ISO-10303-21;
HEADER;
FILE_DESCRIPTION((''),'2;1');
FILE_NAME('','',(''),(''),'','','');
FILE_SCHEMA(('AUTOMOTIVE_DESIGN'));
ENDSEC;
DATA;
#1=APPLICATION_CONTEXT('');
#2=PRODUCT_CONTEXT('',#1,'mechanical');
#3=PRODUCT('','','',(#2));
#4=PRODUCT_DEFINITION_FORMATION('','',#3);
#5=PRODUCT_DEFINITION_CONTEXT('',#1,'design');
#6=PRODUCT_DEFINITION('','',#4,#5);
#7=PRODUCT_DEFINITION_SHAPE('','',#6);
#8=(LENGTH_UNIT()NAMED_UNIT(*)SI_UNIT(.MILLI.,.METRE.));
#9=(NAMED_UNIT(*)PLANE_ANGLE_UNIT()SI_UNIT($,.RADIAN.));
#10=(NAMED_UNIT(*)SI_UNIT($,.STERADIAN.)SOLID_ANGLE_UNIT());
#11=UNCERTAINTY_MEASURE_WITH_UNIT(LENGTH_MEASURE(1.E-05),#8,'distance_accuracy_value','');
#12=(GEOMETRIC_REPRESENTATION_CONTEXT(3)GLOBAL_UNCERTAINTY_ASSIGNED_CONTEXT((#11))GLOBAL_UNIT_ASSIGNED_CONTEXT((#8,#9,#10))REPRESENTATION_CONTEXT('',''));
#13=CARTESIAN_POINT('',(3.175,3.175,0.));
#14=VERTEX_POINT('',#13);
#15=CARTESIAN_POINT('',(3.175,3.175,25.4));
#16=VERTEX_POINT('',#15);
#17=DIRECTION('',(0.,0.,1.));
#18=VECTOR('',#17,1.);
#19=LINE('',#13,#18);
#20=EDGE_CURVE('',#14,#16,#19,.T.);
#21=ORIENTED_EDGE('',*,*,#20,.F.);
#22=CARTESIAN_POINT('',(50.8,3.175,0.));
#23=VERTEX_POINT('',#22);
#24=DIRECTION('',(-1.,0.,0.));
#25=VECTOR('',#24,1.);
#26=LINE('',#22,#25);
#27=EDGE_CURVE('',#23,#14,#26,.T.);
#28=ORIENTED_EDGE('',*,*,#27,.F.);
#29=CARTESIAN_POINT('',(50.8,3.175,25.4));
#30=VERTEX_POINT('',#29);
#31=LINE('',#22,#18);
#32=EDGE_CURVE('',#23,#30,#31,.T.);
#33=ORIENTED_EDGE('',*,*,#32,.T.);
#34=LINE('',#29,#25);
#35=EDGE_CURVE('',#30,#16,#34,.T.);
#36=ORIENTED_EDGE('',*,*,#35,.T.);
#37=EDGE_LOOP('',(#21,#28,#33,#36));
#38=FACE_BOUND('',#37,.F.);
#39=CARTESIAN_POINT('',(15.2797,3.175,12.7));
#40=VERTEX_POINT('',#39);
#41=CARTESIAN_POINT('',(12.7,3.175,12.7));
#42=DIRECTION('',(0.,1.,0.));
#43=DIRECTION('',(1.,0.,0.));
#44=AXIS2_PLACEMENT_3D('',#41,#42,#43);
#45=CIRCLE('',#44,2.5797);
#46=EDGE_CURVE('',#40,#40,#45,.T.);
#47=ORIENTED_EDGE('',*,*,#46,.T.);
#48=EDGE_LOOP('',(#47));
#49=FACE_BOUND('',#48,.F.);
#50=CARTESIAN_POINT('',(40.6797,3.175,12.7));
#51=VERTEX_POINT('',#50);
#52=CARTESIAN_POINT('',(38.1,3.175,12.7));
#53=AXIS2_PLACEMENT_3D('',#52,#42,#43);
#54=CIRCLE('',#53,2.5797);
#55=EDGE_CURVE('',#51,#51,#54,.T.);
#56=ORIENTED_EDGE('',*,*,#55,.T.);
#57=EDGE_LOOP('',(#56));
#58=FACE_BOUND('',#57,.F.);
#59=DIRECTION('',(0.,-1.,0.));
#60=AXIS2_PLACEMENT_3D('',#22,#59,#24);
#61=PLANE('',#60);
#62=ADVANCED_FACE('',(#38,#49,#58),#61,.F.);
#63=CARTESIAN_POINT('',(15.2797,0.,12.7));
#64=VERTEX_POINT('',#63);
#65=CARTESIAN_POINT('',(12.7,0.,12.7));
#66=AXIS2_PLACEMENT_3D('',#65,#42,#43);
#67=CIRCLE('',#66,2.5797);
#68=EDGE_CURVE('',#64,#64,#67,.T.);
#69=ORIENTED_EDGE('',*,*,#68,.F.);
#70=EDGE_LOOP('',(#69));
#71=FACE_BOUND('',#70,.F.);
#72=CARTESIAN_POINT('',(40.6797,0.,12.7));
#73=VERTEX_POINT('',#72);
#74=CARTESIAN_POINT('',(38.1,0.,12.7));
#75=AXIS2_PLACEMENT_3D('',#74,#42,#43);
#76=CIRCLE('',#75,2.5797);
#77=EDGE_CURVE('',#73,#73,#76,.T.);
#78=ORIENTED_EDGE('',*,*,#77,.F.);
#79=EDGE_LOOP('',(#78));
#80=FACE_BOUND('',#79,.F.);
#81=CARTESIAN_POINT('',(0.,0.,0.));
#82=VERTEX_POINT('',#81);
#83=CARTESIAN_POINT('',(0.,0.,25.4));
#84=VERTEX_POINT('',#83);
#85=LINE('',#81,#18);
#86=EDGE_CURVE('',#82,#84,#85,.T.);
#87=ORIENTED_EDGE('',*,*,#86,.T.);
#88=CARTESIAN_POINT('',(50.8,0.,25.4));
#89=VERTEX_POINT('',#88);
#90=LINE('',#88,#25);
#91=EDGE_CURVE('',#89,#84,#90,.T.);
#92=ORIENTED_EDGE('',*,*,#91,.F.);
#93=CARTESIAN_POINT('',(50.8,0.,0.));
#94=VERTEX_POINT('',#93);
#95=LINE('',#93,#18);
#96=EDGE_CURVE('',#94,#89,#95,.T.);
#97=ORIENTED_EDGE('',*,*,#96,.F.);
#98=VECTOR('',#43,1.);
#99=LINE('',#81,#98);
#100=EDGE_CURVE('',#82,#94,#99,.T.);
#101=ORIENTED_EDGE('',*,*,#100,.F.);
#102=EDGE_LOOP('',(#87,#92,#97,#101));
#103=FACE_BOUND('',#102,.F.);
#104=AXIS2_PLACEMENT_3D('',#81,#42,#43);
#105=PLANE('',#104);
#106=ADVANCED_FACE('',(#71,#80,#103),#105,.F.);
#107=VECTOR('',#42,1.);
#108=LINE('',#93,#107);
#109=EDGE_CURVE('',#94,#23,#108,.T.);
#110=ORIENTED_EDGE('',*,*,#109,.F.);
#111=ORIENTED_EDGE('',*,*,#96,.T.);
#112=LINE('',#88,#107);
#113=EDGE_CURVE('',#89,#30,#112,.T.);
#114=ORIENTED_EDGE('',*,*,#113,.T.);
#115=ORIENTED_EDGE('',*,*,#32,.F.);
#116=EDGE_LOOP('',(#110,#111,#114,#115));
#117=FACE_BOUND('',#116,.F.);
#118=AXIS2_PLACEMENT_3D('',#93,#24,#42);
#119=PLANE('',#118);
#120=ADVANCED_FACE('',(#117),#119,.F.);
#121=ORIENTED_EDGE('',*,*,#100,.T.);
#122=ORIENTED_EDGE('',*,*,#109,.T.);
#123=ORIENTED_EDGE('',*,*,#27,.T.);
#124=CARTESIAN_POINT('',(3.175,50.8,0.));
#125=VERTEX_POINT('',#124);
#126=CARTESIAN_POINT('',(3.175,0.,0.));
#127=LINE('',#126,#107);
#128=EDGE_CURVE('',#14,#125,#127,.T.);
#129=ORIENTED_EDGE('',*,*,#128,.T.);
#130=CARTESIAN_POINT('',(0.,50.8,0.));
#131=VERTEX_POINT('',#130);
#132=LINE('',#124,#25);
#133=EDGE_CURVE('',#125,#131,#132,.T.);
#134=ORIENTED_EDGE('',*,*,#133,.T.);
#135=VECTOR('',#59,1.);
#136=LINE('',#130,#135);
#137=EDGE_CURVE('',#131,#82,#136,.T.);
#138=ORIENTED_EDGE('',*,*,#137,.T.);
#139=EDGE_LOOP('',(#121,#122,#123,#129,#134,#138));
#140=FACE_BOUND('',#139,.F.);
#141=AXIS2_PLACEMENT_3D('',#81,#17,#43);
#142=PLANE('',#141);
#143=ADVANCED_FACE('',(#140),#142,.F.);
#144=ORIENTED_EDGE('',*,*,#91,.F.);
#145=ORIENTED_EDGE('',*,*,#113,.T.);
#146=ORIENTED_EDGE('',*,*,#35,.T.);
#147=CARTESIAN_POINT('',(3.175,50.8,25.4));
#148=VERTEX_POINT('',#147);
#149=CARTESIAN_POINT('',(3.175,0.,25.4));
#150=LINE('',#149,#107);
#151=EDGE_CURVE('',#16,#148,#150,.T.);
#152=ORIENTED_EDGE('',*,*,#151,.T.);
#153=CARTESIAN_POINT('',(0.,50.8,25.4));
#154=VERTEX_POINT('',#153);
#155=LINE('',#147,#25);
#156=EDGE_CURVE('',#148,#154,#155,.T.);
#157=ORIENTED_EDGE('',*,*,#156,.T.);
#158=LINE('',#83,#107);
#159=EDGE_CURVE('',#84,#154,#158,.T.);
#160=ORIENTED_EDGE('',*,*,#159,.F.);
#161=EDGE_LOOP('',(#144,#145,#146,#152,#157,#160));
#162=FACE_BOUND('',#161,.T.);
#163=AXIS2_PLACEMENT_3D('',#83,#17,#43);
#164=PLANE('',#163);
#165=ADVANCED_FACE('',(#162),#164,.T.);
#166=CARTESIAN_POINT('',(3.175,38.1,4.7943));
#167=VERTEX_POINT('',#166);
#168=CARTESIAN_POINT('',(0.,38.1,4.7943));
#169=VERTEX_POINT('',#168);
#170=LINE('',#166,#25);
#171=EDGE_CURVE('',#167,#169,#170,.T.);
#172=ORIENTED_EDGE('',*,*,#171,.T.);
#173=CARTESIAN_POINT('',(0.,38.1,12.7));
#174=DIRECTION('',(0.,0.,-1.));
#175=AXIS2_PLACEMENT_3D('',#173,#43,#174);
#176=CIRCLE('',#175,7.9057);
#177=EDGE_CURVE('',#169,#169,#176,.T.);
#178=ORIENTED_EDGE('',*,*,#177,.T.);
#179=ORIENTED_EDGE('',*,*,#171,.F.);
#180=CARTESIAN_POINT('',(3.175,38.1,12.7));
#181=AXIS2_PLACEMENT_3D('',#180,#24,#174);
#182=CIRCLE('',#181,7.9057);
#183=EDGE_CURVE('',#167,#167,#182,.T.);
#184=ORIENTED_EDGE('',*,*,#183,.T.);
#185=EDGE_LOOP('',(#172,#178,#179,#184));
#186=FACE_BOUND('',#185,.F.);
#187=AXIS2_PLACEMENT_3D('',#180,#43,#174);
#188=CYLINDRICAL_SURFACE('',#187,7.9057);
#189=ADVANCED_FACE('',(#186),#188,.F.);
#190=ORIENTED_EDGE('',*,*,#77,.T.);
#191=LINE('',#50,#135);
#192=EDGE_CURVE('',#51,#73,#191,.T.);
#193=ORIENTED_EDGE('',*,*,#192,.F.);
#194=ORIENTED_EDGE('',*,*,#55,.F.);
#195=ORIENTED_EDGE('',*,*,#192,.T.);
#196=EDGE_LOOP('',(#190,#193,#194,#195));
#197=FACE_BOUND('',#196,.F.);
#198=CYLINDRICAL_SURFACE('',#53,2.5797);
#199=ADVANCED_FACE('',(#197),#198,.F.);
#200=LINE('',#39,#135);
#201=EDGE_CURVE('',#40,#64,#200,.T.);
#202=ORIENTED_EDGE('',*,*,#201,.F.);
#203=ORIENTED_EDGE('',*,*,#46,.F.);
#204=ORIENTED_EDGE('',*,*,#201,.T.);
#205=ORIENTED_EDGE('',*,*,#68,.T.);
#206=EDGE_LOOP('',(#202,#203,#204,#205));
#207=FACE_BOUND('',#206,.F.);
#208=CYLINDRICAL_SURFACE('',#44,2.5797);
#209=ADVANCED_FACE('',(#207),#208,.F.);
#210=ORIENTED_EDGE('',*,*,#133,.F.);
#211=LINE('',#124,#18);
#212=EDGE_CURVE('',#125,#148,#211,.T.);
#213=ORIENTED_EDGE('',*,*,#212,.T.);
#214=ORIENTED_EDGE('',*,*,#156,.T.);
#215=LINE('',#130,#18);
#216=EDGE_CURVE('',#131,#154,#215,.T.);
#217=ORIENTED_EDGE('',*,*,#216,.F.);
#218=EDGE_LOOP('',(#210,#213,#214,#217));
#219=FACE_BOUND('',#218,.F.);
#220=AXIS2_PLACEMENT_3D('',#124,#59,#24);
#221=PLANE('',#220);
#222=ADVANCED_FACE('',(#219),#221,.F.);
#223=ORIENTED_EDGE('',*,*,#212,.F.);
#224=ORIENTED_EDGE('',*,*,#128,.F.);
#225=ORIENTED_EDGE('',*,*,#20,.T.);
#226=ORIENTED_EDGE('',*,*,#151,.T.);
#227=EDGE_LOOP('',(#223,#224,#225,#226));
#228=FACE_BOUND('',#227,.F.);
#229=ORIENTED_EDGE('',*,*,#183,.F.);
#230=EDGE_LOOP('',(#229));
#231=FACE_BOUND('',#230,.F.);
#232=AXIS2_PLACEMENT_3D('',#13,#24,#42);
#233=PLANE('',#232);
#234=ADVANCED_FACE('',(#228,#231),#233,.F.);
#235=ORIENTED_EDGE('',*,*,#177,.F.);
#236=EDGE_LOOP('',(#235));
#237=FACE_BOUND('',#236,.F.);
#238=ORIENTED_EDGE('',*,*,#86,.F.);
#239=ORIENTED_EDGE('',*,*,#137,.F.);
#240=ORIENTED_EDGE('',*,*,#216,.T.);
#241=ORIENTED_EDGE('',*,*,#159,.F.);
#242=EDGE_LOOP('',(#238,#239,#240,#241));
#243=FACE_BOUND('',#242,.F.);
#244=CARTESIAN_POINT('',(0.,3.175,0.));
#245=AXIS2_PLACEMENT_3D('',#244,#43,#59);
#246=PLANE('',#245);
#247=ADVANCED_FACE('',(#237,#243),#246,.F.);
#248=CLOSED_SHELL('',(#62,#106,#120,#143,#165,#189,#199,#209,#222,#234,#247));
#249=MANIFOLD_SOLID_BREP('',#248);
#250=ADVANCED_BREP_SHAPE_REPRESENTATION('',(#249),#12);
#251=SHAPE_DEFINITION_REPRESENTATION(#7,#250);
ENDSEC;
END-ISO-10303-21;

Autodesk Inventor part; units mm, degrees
ref_plane "YZ Plane" through (0, 0, 0) normal (1, 0, 0) x (0, 1, 0)
ref_plane "XZ Plane" through (0, 0, 0) normal (0, 1, 0) x (-1, 0, 0)
ref_plane "XY Plane" through (0, 0, 0) normal (0, 0, 1) x (1, 0, 0)
sketch "Sketch1" plane through (0, 0, 0) normal (0, 0, 1) x (1, 0, 0)
  line L0 (0, 0) -> (3.175, 0)
  line L1 (3.175, 0) -> (3.175, 50.8)
  line L2 (3.175, 50.8) -> (0, 50.8)
  line L3 (0, 50.8) -> (0, 0)
  line L4 (0, 0) -> (50.8, 0)
  line L5 (50.8, 0) -> (50.8, 3.175)
  line L6 (50.8, 3.175) -> (0, 3.175)
  line L7 (0, 3.175) -> (0, 0)
  dimension "d0" = 3.175
  dimension "d1" = 50.8
  dimension "d2" = 50.8
  dimension "d3" = 3.175
extrude "Extrusion1" add sketch "Sketch1" along normal blind 25.4
sketch "Sketch2" plane through (3.175, 3.175, 0) normal (1, 0, 0) x (0, 0, -1)
  line L0 (0, 47.625) -> (-25.4, 47.625) projected
  line L1 (-12.7, 47.625) -> (-12.7, 22.225)
  circle A0 centre (-12.7, 34.925) radius 7.9057
  point P0 (0, -3.175)
  dimension "d6" = 25.4
  dimension "d7" = 15.8115
extrude "Extrusion2" cut sketch "Sketch2" against normal blind 25.4
sketch "Sketch3" plane through (3.175, 3.175, 0) normal (0, 1, 0) x (1, 0, 0)
  line L0 (47.625, 0) -> (47.625, -25.4) construction
  line L1 (47.625, -12.7) -> (34.925, -12.7) construction
  line L2 (47.625, -12.7) -> (60.325, -12.7) construction
  circle A0 centre (34.925, -12.7) radius 2.5797
  line L3 (34.925, -12.7) -> (9.525, -12.7) construction
  circle A1 centre (9.525, -12.7) radius 2.5797
  point P0 (-3.175, 0)
  dimension "d10" = 12.7
  dimension "d11" = 180
  dimension "d12" = 5.1594
  dimension "d15" = 25.4
extrude "Extrusion4" cut sketch "Sketch3" against normal blind 25.4
properties part number "Piston bracket"
